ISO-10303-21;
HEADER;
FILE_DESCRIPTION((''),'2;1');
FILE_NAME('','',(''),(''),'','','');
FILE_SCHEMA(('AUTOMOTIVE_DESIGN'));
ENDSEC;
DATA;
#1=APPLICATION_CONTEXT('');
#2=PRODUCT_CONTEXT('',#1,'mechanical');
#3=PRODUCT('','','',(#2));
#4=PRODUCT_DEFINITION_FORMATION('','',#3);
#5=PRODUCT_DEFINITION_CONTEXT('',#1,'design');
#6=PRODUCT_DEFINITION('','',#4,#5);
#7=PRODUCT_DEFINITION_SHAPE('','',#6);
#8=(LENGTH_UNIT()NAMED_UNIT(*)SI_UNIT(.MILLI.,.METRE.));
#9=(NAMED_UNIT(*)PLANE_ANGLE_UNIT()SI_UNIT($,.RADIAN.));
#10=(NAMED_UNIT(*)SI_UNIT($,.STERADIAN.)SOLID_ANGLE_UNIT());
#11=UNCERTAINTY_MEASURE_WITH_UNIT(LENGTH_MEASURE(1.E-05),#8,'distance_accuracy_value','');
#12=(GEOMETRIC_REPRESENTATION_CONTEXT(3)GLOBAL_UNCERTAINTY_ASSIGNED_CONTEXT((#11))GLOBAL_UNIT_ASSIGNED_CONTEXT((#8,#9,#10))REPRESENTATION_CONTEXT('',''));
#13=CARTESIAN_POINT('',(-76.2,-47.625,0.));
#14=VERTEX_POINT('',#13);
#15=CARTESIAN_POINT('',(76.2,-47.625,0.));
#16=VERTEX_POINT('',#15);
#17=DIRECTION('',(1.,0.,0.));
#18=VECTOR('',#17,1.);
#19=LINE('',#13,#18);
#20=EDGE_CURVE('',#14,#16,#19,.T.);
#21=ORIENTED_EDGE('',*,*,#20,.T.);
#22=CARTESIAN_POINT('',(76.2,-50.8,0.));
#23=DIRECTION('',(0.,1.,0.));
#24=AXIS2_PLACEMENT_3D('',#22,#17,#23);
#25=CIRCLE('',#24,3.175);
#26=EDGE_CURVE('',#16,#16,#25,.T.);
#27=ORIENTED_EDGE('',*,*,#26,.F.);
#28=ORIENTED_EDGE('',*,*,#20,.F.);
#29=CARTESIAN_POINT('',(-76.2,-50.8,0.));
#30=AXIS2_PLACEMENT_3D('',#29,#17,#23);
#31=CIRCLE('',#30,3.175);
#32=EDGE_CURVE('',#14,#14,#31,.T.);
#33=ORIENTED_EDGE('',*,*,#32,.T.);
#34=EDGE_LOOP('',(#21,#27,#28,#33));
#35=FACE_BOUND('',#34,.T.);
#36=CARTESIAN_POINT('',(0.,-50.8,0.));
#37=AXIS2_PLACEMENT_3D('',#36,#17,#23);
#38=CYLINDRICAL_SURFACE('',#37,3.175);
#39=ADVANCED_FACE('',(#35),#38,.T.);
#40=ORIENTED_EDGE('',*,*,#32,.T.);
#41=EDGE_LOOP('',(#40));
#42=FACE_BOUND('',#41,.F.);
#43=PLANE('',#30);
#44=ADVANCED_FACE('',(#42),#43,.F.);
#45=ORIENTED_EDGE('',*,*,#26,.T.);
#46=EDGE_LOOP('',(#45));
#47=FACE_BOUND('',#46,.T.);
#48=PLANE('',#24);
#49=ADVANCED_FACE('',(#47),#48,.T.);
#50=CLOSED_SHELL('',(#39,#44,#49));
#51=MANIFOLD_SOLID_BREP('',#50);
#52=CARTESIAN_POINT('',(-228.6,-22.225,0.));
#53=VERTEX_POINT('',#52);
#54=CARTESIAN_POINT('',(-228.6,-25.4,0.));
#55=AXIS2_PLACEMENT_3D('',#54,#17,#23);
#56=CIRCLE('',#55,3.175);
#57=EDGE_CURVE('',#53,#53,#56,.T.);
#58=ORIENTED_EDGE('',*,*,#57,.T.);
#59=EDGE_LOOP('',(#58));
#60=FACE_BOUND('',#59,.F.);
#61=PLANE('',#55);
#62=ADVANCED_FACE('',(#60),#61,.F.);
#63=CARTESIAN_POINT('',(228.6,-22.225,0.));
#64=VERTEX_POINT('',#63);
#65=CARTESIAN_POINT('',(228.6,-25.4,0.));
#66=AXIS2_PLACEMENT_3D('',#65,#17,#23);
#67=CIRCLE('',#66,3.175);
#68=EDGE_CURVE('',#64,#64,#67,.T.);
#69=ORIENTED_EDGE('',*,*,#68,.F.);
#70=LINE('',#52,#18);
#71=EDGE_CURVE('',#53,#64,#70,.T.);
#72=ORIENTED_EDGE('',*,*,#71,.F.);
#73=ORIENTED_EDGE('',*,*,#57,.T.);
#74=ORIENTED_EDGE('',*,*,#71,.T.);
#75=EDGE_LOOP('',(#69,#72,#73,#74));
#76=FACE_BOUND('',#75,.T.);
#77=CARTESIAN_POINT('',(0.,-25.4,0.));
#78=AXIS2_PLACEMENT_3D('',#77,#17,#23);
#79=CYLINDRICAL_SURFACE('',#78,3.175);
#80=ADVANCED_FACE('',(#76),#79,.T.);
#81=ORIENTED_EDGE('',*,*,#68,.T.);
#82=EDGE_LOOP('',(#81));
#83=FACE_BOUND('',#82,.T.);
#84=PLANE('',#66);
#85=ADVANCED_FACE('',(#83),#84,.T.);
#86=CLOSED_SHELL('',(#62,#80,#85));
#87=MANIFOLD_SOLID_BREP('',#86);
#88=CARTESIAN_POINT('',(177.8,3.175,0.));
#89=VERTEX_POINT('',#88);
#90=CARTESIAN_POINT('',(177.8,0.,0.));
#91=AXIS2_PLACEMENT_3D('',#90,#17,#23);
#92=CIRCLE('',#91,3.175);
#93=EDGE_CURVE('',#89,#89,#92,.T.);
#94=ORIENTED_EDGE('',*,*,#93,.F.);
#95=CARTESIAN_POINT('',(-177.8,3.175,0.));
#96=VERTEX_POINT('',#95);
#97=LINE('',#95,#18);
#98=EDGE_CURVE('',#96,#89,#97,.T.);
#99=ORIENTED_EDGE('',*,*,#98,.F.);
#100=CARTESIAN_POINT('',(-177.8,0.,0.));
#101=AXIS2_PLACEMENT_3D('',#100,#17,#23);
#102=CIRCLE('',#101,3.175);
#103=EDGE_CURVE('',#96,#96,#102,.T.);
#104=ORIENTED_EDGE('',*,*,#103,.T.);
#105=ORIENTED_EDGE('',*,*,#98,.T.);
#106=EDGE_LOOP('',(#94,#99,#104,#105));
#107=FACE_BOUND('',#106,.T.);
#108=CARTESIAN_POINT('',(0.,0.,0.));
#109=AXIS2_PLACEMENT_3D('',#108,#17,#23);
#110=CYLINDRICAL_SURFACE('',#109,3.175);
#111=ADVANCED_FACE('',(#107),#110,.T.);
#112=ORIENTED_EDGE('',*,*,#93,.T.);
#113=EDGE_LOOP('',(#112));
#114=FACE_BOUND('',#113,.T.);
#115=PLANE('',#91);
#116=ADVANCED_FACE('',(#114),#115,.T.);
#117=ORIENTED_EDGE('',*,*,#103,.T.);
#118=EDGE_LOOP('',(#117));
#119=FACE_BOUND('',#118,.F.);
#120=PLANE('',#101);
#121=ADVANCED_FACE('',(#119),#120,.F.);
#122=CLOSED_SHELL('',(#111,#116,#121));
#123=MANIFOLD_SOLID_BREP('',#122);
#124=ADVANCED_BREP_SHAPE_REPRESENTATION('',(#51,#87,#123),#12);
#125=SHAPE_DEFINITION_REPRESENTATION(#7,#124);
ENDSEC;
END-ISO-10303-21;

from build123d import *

# Parameters (mm, degrees)
F0_R     = 3.175
F1_DEPTH = 177.8
F2_R     = 3.175
F3_DEPTH = 228.6
F4_R     = 3.175
F5_DEPTH = 76.2


with BuildPart() as f1:
    # F0 (on Right) → F1 (new body, symmetric)
    with BuildSketch(Plane.YZ):
        Circle(F0_R)
    extrude(amount=F1_DEPTH, both=True)


with BuildPart() as f3:
    # F2 (on Right) → F3 (new body, symmetric)
    with BuildSketch(Plane.YZ):
        with Locations((-25.4, 0)):
            Circle(F2_R)
    extrude(amount=F3_DEPTH, both=True)


with BuildPart() as f5:
    # F4 (on Right) → F5 (new body, symmetric)
    with BuildSketch(Plane.YZ):
        with Locations((-50.8, 0)):
            Circle(F4_R)
    extrude(amount=F5_DEPTH, both=True)


solid = Compound([f1.part, f3.part, f5.part])
